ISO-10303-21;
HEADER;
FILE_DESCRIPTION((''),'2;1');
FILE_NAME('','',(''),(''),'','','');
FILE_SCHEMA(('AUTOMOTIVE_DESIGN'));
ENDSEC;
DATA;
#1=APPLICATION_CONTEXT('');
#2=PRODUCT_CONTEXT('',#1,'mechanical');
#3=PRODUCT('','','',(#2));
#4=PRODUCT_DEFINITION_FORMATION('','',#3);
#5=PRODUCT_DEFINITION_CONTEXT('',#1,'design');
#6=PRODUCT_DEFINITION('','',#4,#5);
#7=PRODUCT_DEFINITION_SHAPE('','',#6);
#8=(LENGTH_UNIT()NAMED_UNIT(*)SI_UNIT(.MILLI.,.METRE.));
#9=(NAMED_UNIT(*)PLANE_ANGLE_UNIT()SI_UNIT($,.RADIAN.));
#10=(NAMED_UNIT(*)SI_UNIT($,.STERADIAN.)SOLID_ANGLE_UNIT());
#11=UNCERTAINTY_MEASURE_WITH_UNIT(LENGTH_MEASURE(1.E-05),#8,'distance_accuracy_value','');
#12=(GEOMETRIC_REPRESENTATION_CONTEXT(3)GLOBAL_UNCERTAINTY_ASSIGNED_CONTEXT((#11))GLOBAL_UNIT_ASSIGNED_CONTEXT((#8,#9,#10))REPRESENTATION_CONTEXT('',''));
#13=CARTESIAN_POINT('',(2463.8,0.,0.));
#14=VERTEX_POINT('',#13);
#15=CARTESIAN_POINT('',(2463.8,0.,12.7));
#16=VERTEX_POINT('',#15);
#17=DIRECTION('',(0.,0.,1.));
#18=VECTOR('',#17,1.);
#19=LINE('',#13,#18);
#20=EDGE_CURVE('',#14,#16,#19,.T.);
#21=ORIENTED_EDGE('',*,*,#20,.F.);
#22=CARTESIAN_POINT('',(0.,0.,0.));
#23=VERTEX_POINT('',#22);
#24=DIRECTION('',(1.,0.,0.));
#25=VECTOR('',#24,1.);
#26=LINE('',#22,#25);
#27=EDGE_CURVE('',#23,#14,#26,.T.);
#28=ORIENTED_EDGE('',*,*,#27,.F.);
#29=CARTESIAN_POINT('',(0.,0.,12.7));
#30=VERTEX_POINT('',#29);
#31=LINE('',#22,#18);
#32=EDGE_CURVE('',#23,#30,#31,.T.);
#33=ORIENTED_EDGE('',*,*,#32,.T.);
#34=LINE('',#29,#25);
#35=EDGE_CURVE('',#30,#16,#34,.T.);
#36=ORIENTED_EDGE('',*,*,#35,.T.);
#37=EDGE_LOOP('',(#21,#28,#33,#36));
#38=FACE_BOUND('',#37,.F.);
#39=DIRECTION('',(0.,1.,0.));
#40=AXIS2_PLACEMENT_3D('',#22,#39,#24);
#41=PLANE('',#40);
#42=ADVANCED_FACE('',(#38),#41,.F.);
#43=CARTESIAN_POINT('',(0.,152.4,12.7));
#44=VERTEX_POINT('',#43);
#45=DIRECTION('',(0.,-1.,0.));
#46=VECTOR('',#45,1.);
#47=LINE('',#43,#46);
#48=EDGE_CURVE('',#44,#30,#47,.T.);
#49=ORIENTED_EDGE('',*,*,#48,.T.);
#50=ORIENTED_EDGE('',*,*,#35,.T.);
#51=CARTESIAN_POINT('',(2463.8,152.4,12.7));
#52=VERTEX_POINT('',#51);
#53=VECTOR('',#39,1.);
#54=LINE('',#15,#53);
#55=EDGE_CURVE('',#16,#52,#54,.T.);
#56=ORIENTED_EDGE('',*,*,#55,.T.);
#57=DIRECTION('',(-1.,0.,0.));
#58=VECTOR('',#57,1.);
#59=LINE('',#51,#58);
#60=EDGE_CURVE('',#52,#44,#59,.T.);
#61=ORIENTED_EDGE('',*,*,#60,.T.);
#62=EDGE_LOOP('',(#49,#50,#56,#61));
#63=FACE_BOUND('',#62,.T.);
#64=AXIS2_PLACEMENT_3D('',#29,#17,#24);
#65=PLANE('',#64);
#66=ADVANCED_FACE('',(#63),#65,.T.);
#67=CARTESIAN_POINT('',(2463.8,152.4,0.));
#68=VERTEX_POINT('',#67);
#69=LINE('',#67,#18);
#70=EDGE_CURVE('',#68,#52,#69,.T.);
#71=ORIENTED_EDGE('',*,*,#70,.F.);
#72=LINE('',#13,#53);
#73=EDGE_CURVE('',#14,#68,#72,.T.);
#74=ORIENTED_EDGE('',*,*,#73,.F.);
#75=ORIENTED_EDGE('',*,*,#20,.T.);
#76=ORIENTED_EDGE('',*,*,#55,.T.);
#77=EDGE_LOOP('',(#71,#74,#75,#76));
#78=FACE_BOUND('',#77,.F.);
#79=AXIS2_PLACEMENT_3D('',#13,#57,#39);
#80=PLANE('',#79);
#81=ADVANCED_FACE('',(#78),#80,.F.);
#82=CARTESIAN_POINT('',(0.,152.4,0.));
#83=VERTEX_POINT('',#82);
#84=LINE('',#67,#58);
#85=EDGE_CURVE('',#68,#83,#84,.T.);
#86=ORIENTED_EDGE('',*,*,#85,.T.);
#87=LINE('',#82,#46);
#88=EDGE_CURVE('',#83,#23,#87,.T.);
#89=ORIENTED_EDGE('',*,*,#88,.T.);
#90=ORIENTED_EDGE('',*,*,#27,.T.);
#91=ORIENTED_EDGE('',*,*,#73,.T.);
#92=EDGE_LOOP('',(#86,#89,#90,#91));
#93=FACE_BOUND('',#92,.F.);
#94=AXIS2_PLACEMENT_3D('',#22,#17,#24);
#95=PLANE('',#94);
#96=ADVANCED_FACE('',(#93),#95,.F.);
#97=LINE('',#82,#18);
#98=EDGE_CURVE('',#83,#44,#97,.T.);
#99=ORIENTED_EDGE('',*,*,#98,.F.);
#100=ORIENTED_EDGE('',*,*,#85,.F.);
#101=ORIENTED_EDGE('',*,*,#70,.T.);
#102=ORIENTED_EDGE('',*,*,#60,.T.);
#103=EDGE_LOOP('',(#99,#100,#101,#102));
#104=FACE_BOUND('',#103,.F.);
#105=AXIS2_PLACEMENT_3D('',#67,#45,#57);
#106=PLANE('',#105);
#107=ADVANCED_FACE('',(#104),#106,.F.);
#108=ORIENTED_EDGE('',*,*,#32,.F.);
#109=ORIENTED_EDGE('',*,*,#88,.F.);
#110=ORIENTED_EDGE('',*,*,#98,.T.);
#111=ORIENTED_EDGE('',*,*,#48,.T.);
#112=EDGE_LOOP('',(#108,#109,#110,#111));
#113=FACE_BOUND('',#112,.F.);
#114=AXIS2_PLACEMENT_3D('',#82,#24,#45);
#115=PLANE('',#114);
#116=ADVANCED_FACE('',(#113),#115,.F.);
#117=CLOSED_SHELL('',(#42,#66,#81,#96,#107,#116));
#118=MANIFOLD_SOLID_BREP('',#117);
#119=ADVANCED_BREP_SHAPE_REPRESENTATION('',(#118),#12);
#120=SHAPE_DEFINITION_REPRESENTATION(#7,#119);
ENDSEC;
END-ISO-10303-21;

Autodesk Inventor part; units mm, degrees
ref_plane "YZ Plane" through (0, 0, 0) normal (1, 0, 0) x (0, 1, 0)
ref_plane "XZ Plane" through (0, 0, 0) normal (0, 1, 0) x (-1, 0, 0)
ref_plane "XY Plane" through (0, 0, 0) normal (0, 0, 1) x (1, 0, 0)
sketch "Sketch1" plane through (0, 0, 0) normal (0, 0, 1) x (1, 0, 0)
  line L0 (0, 0) -> (2463.8, 0)
  line L1 (2463.8, 0) -> (2463.8, 152.4)
  line L2 (2463.8, 152.4) -> (0, 152.4)
  line L3 (0, 152.4) -> (0, 0)
  dimension "d0" = 152.4
  dimension "d1" = 2463.8
extrude "Extrusion1" add sketch "Sketch1" along normal blind 12.7
properties part number "Side 84 in by 6 in by half inch"
